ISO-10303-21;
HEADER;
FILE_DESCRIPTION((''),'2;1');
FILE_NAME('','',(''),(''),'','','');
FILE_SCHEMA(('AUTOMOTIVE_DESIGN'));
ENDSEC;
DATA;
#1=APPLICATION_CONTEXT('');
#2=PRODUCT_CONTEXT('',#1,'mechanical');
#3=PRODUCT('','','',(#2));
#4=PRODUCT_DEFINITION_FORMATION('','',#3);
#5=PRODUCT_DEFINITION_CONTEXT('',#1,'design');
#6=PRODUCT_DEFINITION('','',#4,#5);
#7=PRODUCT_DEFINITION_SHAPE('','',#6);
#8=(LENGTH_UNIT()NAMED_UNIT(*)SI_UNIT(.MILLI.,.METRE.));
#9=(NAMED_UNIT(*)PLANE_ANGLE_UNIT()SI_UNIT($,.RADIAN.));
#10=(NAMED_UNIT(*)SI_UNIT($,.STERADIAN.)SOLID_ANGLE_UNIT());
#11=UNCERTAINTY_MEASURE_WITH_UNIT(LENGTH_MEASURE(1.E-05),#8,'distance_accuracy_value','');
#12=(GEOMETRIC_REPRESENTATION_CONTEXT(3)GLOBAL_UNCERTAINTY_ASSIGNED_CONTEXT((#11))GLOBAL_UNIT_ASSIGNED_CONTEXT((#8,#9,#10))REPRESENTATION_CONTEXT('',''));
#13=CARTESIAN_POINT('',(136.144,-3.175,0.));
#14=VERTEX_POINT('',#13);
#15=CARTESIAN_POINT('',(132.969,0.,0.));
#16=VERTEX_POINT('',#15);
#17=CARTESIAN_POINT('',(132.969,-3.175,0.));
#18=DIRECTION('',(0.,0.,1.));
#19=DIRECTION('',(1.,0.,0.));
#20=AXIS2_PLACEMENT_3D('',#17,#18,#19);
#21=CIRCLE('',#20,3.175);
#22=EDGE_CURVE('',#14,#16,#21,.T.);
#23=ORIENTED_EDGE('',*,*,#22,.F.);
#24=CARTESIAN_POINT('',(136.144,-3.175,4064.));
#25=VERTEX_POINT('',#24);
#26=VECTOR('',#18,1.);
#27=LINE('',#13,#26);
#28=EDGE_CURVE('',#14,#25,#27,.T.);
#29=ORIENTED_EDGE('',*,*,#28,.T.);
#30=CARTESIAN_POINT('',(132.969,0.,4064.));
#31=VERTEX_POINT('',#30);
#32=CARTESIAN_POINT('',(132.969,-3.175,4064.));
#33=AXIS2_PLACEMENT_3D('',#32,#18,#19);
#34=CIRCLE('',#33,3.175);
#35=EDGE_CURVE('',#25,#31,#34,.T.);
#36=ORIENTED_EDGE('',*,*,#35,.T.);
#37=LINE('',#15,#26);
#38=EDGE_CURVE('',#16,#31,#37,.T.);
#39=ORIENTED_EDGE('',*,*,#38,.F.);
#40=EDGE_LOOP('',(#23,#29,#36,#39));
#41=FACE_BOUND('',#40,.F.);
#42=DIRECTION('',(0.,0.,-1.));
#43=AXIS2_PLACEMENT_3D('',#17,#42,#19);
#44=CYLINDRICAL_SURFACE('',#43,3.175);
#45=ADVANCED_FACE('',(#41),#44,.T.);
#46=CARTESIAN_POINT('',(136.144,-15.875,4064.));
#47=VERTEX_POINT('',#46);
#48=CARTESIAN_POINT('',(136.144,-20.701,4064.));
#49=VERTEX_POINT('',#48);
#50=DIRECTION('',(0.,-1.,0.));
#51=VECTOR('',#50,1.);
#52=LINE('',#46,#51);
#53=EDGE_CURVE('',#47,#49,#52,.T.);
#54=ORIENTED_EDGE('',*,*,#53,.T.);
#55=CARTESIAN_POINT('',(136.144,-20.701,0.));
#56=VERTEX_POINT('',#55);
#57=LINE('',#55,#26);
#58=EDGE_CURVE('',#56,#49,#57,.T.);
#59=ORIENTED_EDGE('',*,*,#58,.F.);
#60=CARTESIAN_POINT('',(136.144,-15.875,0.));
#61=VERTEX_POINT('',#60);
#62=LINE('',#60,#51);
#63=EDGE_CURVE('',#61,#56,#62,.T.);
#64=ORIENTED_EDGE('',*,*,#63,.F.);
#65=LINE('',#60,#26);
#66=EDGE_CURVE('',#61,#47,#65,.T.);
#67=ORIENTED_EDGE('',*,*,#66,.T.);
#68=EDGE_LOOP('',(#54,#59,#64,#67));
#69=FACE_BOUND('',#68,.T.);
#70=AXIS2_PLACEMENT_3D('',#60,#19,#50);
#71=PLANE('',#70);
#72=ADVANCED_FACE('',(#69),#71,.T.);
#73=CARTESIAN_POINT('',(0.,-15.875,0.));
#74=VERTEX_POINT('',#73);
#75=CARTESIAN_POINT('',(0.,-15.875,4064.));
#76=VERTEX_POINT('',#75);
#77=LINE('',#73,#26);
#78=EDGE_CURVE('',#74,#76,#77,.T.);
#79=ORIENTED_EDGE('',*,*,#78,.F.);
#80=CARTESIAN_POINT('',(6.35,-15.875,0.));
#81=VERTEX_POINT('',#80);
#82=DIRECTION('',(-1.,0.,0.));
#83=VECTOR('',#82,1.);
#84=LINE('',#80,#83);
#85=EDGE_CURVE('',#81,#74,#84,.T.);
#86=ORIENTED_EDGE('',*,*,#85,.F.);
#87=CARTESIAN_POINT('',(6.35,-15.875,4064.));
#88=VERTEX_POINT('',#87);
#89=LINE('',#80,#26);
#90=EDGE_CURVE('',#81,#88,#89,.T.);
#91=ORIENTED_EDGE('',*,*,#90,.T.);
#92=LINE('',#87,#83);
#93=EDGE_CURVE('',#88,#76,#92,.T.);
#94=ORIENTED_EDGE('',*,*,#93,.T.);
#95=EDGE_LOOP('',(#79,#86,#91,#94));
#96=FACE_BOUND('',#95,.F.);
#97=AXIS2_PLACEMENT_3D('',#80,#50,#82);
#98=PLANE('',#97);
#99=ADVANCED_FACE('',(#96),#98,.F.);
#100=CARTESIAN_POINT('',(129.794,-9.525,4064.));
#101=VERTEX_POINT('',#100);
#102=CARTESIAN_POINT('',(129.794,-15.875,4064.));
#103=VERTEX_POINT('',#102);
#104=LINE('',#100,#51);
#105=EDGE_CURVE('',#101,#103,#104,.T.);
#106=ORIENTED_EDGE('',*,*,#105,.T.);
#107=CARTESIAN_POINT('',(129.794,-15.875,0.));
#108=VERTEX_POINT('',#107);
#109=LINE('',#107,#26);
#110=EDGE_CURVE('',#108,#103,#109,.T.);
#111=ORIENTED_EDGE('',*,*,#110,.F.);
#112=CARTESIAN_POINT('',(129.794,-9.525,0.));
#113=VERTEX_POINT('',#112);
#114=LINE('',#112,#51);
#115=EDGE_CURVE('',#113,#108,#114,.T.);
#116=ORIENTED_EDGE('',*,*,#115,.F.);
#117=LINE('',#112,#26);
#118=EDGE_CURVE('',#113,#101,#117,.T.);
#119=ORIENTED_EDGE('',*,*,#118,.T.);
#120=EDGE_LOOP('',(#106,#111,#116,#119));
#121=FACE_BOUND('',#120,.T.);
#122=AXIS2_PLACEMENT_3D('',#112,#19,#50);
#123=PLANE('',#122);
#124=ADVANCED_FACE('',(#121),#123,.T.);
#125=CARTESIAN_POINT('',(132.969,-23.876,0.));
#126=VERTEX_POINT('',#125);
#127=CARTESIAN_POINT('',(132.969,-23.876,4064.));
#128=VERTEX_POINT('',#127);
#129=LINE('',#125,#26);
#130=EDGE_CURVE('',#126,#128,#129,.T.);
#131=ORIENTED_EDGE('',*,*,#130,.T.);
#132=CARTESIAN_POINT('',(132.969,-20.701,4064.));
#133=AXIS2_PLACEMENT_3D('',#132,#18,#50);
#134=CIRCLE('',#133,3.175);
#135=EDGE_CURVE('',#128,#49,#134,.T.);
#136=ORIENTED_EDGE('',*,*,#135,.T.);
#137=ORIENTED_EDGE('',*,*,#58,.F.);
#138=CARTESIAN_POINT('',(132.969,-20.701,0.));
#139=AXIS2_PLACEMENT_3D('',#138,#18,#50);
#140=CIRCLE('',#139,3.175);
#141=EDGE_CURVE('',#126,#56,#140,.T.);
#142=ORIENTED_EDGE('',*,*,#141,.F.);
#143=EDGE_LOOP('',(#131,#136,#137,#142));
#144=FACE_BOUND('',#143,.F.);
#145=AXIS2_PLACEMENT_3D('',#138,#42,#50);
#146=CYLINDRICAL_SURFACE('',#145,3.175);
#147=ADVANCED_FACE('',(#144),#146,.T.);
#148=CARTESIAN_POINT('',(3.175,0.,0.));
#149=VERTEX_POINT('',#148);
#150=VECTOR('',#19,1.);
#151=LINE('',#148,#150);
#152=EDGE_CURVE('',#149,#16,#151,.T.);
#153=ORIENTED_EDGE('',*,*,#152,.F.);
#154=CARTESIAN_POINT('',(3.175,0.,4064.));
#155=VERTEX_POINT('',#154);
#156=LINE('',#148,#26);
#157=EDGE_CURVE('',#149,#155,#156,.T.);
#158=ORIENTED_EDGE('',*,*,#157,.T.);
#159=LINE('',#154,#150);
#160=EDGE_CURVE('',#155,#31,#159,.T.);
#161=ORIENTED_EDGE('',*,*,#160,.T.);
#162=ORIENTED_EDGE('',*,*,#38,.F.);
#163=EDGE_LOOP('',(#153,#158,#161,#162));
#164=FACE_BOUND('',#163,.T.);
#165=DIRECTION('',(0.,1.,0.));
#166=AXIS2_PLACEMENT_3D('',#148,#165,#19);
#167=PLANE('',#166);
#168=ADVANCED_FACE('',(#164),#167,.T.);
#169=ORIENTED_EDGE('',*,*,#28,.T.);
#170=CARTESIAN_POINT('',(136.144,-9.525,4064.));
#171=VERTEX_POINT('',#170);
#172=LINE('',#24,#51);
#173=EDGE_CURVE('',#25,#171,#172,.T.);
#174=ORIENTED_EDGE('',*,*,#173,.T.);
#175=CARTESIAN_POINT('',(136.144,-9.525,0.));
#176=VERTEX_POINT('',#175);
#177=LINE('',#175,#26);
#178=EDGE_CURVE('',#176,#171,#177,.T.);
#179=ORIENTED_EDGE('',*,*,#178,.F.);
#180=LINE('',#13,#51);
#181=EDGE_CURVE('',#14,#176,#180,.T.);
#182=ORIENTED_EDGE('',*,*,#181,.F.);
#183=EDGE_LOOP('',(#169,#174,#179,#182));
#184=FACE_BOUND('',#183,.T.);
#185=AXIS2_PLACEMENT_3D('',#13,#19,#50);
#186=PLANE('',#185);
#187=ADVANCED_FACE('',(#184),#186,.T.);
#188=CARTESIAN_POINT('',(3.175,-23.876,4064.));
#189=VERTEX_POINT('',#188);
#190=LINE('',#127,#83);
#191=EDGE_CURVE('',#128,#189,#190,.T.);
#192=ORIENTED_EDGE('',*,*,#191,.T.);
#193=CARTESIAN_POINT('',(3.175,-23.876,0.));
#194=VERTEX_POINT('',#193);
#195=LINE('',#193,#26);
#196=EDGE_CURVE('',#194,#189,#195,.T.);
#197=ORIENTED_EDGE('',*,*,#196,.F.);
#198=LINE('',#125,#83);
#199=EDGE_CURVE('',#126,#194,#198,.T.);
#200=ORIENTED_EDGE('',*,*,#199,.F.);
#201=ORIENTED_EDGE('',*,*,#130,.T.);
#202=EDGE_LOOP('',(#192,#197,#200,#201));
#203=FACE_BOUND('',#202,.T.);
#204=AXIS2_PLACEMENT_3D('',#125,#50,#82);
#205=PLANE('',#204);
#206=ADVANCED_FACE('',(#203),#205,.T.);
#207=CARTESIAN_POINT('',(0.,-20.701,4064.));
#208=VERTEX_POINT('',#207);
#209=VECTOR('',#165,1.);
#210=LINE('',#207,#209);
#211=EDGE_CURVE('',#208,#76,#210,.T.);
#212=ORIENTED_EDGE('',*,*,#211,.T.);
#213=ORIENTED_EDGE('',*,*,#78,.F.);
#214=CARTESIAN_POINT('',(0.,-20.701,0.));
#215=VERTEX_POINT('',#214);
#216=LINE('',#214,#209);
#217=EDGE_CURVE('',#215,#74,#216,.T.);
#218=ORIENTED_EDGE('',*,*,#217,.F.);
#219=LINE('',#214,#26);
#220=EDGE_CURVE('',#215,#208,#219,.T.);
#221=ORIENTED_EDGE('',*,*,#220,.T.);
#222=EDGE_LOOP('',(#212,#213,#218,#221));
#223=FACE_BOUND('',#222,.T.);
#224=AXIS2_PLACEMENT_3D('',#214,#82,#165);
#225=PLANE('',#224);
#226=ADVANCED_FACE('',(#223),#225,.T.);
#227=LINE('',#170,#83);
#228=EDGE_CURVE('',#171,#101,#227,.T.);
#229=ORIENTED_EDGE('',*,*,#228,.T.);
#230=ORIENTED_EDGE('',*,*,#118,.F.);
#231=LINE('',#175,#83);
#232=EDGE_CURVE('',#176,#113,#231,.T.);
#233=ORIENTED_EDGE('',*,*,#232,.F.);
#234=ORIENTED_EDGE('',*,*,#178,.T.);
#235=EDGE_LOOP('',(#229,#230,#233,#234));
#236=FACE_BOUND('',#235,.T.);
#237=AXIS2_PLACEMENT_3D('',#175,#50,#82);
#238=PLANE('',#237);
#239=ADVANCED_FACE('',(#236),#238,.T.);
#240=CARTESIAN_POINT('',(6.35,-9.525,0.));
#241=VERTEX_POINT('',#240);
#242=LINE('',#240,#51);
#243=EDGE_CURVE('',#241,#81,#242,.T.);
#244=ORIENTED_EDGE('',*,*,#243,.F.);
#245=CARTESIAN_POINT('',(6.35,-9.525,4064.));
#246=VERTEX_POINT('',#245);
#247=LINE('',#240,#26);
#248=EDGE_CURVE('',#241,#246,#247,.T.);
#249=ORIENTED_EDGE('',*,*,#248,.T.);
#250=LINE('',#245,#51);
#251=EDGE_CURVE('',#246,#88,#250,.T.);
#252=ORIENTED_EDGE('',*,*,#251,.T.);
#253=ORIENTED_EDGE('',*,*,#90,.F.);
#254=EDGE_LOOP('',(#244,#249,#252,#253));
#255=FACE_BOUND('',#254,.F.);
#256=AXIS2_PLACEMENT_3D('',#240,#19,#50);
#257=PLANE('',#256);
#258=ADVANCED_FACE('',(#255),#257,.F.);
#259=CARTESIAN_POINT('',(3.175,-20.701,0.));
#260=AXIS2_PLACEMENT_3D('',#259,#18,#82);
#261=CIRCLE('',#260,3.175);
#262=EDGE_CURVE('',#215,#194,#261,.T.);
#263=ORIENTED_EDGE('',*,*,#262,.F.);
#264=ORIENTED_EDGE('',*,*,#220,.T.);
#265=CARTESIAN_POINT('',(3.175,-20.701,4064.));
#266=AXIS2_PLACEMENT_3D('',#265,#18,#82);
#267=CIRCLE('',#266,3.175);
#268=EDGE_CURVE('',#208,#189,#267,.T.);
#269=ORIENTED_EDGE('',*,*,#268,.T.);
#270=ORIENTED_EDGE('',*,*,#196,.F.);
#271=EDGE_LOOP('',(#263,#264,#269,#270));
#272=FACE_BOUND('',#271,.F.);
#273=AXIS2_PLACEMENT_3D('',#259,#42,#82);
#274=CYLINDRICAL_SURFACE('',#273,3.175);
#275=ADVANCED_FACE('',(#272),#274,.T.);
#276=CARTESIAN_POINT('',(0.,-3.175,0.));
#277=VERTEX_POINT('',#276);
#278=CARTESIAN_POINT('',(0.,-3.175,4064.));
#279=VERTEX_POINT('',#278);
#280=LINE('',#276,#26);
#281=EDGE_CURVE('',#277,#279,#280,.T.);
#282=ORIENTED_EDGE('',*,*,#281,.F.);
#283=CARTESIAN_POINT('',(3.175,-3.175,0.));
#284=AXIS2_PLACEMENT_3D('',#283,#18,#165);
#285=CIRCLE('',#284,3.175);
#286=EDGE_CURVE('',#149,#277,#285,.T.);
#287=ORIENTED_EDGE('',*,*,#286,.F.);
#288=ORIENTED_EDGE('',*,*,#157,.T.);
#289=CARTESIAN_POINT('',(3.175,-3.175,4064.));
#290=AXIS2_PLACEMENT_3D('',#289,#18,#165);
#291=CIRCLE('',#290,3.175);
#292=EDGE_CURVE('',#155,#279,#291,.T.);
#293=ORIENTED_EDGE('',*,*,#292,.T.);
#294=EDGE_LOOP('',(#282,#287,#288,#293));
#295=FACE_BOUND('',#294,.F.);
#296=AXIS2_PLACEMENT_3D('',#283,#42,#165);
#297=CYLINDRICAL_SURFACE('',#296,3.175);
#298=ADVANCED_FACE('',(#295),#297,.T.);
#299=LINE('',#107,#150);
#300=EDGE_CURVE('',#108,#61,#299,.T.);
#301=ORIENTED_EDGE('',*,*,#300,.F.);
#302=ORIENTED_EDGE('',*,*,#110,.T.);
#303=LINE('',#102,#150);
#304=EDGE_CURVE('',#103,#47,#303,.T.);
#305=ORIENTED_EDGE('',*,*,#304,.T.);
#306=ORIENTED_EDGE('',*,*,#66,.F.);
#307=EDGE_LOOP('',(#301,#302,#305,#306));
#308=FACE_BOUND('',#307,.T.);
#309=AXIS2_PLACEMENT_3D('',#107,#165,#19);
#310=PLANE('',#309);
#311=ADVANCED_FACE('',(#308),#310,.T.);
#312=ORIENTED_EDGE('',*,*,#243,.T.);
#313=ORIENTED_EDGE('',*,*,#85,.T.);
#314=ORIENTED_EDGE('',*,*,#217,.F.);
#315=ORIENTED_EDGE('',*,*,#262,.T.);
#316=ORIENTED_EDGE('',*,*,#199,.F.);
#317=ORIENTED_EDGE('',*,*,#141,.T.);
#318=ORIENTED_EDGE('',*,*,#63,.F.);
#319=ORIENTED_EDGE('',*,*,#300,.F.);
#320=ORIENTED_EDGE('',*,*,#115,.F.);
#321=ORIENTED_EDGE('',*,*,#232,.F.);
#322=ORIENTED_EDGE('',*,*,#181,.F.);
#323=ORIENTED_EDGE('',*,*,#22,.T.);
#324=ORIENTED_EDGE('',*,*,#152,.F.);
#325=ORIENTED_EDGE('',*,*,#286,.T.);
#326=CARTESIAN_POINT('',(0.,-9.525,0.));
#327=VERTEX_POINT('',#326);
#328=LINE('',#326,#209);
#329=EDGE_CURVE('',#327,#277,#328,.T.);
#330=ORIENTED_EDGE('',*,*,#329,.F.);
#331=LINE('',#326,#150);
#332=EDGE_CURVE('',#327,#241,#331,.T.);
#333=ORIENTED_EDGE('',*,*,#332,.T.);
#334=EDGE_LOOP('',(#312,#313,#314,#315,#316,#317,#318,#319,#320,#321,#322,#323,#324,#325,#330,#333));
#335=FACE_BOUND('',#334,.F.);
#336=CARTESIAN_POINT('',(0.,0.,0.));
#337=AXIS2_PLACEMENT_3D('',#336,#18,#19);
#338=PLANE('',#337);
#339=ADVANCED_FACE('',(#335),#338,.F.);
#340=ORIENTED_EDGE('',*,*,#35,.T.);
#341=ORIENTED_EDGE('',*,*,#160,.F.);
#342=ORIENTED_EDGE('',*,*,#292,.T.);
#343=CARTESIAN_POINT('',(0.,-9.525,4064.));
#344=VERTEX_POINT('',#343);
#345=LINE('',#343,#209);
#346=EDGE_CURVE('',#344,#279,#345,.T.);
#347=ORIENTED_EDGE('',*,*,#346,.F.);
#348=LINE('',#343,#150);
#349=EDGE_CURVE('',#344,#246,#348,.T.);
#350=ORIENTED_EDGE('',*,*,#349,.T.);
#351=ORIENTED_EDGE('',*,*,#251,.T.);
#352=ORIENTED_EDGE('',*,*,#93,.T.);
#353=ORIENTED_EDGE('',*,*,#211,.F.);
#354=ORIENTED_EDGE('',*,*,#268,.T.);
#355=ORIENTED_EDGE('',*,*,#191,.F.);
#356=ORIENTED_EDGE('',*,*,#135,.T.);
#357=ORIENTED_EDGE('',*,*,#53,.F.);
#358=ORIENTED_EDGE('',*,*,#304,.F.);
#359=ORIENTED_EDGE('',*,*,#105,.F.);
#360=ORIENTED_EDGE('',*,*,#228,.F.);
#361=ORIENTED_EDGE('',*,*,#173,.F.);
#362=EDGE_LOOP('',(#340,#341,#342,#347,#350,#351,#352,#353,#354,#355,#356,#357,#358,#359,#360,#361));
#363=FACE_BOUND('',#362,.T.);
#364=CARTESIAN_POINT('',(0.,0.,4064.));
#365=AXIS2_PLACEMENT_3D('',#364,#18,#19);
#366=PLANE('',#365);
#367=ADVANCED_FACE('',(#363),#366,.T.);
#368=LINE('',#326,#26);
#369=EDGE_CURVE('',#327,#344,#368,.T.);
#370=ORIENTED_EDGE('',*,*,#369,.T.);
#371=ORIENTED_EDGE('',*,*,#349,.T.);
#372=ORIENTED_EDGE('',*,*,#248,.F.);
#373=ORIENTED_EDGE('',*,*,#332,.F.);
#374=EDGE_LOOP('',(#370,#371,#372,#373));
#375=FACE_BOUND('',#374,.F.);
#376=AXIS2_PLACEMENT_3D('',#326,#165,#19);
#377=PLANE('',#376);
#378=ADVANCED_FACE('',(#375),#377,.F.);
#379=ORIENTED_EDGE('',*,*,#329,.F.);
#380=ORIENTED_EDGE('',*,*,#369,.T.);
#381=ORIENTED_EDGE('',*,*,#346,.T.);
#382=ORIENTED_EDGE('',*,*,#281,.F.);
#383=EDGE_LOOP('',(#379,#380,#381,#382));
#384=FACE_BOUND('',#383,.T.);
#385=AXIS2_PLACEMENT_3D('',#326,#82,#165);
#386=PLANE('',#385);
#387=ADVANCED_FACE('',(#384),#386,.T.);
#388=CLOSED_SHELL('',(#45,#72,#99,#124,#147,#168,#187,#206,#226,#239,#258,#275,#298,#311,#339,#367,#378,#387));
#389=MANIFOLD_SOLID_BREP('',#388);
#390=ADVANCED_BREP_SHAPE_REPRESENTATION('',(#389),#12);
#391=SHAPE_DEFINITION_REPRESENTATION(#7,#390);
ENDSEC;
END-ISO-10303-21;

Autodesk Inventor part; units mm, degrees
ref_plane "YZ Plane" through (0, 0, 0) normal (1, 0, 0) x (0, 1, 0)
ref_plane "XZ Plane" through (0, 0, 0) normal (0, 1, 0) x (-1, 0, 0)
ref_plane "XY Plane" through (0, 0, 0) normal (0, 0, 1) x (1, 0, 0)
sketch "Sketch1" plane through (0, 0, 0) normal (0, 0, 1) x (1, 0, 0)
  line L0 (3.175, 0) -> (132.969, 0)
  line L1 (132.969, -23.876) -> (3.175, -23.876)
  line L2 (0, -9.525) -> (6.35, -9.525)
  line L3 (6.35, -9.525) -> (6.35, -15.875)
  line L4 (6.35, -15.875) -> (0, -15.875)
  line L5 (136.144, -9.525) -> (129.794, -9.525)
  line L6 (129.794, -9.525) -> (129.794, -15.875)
  line L7 (129.794, -15.875) -> (136.144, -15.875)
  line L8 (0, -20.701) -> (0, -15.875)
  line L9 (0, -9.525) -> (0, -3.175)
  line L10 (136.144, -3.175) -> (136.144, -9.525)
  line L11 (136.144, -15.875) -> (136.144, -20.701)
  arc A0 (3.175, 0) -> (0, -3.175) centre (3.175, -3.175) ccw
  arc A1 (0, -20.701) -> (3.175, -23.876) centre (3.175, -20.701) ccw
  arc A2 (136.144, -3.175) -> (132.969, 0) centre (132.969, -3.175) ccw
  arc A3 (132.969, -23.876) -> (136.144, -20.701) centre (132.969, -20.701) ccw
  point P0 (0, 0)
  point P1 (136.144, -23.876)
  point P2 (136.144, 0)
  point P3 (0, -23.876)
  dimension "d0" = 136.144
  dimension "d1" = 23.876
  dimension "d3" = 6.35
  dimension "d4" = 9.525
  dimension "d5" = 3.175
extrude "Extrusion1" add sketch "Sketch1" along normal blind 4064
properties part number "TimberTech" material "Polyethylene, High Density"
